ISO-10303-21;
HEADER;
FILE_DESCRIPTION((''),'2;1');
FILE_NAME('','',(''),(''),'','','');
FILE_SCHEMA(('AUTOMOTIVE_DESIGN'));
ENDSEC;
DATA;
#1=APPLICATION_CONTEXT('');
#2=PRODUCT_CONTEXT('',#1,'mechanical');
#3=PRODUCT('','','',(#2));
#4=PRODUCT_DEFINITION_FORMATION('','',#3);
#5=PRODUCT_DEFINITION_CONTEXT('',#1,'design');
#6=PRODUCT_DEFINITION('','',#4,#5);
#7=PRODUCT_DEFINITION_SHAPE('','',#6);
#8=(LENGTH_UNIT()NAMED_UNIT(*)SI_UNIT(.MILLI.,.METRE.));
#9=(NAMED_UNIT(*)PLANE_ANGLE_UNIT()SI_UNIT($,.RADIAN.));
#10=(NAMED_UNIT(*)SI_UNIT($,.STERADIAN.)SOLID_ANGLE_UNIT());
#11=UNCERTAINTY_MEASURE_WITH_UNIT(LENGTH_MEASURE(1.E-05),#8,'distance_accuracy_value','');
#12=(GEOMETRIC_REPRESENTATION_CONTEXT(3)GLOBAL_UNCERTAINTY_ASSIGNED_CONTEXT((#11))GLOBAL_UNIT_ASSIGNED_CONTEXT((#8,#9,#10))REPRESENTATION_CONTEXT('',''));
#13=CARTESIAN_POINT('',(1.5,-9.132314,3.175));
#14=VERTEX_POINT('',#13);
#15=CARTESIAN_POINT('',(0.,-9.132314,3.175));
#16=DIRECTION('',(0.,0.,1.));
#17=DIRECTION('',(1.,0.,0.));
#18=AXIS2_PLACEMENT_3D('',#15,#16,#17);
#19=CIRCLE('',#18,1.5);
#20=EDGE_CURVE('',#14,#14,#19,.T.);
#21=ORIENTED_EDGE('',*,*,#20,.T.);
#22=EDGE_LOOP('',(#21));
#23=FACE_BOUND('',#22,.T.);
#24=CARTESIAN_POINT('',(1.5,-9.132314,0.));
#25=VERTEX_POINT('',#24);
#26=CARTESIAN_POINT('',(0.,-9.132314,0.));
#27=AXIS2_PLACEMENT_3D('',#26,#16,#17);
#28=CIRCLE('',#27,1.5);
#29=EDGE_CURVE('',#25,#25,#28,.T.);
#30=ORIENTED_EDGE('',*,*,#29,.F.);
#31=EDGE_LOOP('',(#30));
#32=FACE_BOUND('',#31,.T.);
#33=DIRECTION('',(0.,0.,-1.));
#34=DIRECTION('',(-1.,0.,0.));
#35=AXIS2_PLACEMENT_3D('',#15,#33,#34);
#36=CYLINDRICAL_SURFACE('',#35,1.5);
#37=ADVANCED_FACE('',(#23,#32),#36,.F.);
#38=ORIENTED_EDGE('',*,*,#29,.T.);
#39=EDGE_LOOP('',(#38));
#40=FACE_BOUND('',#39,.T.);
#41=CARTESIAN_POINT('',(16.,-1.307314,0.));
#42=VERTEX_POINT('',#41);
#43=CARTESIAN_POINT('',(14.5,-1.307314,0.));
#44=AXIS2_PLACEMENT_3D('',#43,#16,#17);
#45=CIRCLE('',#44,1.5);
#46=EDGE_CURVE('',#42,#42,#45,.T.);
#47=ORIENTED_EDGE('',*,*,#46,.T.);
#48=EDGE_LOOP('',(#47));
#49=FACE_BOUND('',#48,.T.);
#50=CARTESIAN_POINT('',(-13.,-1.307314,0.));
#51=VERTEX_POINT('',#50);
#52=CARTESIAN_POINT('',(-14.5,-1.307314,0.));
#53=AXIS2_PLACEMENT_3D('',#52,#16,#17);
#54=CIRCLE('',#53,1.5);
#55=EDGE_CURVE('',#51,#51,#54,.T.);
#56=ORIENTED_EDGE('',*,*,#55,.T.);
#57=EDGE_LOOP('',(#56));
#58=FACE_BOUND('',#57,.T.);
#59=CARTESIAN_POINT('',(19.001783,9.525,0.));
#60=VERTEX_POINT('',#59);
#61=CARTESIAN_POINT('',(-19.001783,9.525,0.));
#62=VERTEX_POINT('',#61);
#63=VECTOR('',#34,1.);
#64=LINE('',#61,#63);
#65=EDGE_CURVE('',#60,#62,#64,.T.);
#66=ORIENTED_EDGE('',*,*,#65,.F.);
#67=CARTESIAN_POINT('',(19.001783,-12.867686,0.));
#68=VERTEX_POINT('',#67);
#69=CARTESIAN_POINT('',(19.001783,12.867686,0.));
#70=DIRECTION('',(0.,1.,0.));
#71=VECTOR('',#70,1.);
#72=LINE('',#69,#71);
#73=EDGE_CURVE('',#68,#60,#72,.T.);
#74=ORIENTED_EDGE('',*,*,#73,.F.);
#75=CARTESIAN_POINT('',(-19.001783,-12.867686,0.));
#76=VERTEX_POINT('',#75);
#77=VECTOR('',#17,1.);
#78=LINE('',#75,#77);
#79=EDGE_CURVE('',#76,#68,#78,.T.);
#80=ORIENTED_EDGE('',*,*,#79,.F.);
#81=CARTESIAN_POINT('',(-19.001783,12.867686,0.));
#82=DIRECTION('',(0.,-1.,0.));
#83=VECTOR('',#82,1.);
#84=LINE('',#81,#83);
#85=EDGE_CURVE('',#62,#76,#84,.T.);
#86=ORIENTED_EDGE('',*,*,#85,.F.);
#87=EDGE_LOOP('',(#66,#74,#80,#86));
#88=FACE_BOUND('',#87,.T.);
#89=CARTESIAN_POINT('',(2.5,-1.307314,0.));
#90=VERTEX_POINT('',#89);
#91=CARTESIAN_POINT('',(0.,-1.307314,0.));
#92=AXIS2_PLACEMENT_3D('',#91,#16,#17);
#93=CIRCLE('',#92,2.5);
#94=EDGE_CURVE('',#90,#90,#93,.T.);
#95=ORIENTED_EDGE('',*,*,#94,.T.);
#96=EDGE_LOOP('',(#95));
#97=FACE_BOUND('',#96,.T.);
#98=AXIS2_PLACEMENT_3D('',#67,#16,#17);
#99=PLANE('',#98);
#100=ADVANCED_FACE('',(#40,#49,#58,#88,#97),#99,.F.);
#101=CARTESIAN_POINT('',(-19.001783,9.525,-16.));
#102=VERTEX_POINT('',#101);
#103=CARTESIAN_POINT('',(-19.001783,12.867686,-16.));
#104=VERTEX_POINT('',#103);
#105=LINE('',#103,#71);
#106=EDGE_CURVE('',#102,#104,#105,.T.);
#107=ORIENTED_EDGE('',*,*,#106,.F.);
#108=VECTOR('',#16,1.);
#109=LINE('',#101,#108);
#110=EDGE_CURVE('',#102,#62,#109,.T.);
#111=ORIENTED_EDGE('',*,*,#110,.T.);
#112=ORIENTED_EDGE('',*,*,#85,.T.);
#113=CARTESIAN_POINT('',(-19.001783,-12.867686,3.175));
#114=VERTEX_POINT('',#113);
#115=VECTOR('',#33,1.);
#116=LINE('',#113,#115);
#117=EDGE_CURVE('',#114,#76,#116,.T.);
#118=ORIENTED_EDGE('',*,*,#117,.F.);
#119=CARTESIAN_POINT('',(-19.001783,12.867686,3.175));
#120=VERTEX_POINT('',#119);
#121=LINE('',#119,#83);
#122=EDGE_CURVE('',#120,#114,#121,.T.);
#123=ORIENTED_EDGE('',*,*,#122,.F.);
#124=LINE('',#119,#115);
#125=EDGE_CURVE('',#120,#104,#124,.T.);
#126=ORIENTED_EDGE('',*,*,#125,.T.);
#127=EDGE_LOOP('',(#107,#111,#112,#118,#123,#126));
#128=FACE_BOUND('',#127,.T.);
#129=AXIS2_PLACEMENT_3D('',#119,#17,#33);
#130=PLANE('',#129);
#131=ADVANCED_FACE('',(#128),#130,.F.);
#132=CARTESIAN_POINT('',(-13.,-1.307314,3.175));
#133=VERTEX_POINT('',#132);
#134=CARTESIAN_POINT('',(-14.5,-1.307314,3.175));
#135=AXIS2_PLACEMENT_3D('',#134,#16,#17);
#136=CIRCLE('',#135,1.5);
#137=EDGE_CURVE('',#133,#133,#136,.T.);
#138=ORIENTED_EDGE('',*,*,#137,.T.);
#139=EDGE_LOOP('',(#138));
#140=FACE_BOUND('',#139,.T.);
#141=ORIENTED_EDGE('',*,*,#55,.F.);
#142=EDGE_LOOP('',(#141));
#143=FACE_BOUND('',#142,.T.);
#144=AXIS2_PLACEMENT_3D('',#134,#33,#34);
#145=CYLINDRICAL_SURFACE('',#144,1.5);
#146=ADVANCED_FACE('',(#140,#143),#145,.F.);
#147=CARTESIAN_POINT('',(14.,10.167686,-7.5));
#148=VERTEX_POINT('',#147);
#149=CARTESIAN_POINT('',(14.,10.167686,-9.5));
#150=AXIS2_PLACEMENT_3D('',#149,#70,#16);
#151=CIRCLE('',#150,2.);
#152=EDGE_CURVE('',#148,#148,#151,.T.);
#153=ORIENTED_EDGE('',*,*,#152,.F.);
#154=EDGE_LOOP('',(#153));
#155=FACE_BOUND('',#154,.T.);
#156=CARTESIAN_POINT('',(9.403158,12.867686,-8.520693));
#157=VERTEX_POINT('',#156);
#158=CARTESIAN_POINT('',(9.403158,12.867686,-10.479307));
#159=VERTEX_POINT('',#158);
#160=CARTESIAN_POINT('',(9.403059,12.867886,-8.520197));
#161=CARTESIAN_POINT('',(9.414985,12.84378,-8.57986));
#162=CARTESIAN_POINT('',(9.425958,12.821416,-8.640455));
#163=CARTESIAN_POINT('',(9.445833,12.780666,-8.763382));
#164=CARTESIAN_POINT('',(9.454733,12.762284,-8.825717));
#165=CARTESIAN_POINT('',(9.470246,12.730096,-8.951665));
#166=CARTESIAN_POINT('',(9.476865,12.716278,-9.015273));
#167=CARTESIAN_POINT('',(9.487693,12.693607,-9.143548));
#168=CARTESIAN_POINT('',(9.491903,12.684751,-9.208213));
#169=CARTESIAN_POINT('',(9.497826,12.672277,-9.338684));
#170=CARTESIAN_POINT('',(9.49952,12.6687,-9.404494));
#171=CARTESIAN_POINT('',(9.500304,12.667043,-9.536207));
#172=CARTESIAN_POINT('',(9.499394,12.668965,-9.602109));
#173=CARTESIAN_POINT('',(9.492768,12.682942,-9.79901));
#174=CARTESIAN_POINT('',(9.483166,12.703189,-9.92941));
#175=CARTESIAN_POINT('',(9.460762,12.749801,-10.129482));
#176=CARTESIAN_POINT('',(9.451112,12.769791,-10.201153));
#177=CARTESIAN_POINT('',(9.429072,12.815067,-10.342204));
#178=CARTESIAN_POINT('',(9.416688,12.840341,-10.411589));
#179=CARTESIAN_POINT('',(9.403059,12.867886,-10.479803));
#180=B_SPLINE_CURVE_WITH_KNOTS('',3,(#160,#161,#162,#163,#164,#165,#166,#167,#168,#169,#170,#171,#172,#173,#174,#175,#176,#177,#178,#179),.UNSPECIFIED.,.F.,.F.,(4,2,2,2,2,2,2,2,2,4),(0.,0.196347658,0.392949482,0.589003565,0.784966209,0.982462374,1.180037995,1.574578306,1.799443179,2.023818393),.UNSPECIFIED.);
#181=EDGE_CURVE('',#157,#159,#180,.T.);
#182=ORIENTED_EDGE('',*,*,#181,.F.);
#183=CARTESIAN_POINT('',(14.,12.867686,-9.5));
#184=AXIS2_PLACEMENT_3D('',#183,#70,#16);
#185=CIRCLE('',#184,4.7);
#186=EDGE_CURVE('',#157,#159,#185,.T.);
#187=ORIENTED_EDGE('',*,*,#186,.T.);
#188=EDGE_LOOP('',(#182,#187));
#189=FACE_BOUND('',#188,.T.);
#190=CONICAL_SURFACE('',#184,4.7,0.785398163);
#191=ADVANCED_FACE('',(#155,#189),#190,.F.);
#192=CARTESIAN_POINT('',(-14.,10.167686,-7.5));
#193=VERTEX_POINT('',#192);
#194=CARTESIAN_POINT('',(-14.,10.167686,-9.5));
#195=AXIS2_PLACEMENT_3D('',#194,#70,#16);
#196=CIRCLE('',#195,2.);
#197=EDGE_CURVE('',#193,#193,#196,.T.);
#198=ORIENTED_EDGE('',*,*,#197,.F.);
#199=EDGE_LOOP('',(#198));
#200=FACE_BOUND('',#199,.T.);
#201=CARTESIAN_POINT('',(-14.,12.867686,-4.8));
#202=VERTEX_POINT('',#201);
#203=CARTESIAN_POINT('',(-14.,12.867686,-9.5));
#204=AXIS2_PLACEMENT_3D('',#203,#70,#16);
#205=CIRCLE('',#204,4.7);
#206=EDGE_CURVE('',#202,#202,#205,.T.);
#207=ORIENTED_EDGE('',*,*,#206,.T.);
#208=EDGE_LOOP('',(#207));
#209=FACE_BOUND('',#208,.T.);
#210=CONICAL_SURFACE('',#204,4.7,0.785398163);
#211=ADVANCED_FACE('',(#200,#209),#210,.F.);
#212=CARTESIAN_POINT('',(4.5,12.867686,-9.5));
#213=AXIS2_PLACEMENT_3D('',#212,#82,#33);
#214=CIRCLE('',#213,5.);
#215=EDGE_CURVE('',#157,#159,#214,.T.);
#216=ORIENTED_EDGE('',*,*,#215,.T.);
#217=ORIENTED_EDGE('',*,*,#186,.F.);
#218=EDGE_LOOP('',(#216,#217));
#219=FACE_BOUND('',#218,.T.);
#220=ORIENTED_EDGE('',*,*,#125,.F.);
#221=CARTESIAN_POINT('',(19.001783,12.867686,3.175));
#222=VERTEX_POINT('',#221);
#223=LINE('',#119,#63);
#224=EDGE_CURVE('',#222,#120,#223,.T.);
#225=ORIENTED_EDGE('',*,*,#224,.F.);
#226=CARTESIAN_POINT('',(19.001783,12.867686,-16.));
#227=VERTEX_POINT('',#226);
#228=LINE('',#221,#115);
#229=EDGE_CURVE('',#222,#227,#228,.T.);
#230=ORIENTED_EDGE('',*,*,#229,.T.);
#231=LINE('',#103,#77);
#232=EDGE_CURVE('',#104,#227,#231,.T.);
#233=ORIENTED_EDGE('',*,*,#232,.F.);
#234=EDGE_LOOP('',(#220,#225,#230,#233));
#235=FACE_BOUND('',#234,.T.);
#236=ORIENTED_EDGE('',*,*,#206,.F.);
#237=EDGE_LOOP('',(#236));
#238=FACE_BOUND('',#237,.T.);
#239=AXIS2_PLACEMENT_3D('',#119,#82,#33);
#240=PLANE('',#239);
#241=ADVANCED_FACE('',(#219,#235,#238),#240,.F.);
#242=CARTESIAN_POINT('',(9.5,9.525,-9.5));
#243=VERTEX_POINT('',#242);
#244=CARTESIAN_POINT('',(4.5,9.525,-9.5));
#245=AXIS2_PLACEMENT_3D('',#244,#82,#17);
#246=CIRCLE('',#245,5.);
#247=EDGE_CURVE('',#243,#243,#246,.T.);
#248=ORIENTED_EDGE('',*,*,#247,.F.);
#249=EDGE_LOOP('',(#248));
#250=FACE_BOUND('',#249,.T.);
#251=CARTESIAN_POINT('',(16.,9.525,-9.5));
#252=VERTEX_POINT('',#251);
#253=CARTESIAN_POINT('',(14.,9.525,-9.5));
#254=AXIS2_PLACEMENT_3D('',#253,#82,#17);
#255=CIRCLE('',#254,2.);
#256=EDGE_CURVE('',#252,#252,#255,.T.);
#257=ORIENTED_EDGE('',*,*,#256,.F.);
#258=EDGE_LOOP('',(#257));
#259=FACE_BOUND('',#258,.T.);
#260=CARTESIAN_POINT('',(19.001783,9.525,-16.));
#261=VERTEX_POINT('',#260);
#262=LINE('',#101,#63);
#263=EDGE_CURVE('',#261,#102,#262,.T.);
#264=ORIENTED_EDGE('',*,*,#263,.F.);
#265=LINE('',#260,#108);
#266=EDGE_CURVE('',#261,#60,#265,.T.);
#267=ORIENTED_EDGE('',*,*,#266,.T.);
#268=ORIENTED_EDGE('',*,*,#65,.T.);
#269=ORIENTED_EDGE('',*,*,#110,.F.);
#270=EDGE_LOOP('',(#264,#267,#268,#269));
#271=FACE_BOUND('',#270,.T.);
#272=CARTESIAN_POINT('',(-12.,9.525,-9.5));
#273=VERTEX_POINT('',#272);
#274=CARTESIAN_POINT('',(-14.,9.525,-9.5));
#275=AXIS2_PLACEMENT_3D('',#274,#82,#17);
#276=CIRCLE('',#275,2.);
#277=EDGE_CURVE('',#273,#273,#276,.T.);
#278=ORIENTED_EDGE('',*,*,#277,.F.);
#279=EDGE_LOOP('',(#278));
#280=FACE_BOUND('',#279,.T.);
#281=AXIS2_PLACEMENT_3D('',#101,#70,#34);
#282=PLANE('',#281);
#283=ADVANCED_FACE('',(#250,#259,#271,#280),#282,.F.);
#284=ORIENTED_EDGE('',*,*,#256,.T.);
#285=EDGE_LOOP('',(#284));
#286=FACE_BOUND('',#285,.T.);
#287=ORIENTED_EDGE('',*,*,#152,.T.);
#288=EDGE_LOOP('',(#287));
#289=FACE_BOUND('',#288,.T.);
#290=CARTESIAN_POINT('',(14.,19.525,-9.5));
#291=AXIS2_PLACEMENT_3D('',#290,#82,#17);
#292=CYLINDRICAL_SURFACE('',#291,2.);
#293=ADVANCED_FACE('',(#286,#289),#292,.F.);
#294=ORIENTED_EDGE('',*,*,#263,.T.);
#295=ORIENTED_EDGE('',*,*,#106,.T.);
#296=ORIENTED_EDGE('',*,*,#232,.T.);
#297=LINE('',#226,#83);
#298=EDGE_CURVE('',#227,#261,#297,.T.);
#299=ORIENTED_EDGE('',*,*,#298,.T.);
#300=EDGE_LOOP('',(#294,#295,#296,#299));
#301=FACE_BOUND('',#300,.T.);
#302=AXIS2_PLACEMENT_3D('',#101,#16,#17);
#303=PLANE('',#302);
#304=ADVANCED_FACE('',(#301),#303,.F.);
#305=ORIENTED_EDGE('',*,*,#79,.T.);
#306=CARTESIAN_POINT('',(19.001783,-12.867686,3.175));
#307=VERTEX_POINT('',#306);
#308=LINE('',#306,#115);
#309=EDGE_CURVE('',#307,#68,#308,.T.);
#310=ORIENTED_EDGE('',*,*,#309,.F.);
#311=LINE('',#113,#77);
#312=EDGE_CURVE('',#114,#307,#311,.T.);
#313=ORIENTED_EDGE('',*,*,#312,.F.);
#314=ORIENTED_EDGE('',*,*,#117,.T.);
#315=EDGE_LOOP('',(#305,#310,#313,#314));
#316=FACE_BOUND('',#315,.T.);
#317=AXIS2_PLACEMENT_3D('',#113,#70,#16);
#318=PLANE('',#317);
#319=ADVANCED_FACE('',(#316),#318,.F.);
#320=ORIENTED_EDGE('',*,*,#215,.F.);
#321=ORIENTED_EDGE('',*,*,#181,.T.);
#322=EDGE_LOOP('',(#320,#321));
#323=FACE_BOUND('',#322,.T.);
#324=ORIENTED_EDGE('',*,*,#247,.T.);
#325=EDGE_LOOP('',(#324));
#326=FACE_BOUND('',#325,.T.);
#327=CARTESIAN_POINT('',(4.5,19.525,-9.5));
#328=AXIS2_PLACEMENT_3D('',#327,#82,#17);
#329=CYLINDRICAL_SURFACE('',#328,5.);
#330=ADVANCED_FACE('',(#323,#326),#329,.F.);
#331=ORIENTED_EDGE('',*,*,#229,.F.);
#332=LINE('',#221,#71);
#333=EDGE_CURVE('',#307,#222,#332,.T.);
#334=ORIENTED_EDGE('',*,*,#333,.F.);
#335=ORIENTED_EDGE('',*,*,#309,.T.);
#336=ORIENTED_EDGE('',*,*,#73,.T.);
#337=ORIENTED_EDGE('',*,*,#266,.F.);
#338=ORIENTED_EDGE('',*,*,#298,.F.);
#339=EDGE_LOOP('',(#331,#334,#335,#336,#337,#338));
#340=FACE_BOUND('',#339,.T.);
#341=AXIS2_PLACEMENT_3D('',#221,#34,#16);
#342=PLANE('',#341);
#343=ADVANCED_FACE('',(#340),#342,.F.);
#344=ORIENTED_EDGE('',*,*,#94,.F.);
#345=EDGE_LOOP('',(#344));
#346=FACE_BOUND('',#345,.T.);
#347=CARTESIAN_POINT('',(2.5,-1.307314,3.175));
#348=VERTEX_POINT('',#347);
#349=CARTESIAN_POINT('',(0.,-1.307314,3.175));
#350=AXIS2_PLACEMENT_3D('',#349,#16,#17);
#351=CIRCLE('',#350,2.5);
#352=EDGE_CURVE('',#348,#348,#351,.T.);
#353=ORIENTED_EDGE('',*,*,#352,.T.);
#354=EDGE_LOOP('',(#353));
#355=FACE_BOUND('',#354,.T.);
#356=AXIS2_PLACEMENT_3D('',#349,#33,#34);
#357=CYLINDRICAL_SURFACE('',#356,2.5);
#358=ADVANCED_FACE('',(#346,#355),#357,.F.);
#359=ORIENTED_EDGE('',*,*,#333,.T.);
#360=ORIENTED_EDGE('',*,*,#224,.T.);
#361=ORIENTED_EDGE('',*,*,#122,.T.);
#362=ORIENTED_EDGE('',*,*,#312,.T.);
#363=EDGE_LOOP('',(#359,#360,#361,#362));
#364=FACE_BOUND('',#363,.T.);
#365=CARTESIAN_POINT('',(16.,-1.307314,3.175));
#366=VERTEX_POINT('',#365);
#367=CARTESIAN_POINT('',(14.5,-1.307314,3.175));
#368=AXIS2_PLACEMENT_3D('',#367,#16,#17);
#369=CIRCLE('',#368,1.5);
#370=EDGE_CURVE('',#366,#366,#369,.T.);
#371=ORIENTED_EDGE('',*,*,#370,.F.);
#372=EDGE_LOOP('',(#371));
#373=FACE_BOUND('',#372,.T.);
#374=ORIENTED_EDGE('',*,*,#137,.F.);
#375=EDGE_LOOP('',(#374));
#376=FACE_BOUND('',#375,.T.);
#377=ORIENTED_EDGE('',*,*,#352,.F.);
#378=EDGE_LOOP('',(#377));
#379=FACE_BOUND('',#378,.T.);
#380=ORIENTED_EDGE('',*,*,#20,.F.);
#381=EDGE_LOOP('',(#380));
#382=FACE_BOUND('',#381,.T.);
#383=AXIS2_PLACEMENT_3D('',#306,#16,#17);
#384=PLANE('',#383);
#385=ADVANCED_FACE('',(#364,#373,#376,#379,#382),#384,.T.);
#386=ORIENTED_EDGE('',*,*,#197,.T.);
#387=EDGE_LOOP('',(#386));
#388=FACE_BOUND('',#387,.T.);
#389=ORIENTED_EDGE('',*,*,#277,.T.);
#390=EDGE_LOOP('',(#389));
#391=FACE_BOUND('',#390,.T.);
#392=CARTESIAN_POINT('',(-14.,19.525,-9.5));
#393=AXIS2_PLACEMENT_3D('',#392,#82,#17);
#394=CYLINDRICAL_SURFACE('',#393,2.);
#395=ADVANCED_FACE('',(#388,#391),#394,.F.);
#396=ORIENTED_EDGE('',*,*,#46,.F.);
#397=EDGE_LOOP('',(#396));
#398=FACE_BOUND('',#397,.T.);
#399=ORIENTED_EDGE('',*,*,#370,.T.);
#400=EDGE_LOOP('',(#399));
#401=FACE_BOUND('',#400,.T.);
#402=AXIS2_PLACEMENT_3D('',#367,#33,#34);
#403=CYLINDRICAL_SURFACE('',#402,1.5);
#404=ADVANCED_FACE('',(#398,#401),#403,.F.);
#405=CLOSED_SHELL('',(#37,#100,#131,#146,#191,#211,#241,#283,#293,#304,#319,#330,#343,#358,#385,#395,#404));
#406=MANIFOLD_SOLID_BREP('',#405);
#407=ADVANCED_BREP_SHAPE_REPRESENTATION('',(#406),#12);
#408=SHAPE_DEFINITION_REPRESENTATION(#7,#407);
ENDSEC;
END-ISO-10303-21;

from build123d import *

# Parameters (mm, degrees)
SKETCH1_W                                            = 38.00356671
SKETCH1_H                                            = 25.735371596
SKETCH1_R                                            = 1.5
SKETCH1_R_2                                          = 2.5
BOSS_EXTRUDE1_DEPTH                                  = 3.175
SKETCH2_W                                            = 38.00356671
SKETCH2_H                                            = 3.342685798
BOSS_EXTRUDE2_DEPTH                                  = 16
SKETCH3_R                                            = 5
SKETCH3_R_2                                          = 2
CUT_EXTRUDE1_DEPTH                                   = 10
ESCAREADO_PARA_PARAFUSO_DE_M_QUINA_COM_C_D           = 4
ESCAREADO_PARA_PARAFUSO_DE_M_QUINA_COM_C_CSINK_D     = 9.4
ESCAREADO_PARA_PARAFUSO_DE_M_QUINA_COM_C_CSINK_ANGLE = 90


with BuildPart() as part:
    # Sketch1 → Boss-Extrude1 (new body)
    with BuildSketch(Plane.XY):
        Rectangle(SKETCH1_W, SKETCH1_H)
        with Locations((-14.5, -1.307314202)):
            Circle(SKETCH1_R, mode=Mode.SUBTRACT)
        with Locations((14.5, -1.307314202)):
            Circle(SKETCH1_R, mode=Mode.SUBTRACT)
        with Locations((0, -1.307314202)):
            Circle(SKETCH1_R_2, mode=Mode.SUBTRACT)
        with Locations((0, -9.132314202)):
            Circle(SKETCH1_R, mode=Mode.SUBTRACT)
    extrude(amount=BOSS_EXTRUDE1_DEPTH)

    # Sketch2 → Boss-Extrude2 (add)
    with BuildSketch(Plane(origin=(0, 0, 0), x_dir=(-1, 0, 0), z_dir=(0, 0, -1))):
        with Locations((0, 11.196342899)):
            Rectangle(SKETCH2_W, SKETCH2_H)
    extrude(amount=BOSS_EXTRUDE2_DEPTH)

    # Sketch3 → Cut-Extrude1 (cut)
    with BuildSketch(Plane.XZ.offset(-9.525)):
        with Locations((4.5, -9.5)):
            Circle(SKETCH3_R)
        with Locations((-14, -9.5)):
            Circle(SKETCH3_R_2)
        with Locations((14, -9.5)):
            Circle(SKETCH3_R_2)
    extrude(amount=-CUT_EXTRUDE1_DEPTH, mode=Mode.SUBTRACT)

    # Escareado para parafuso de máquina com cabeça chata de M42 (through all)
    with Locations(Plane(origin=(0, 12.867685798, 0), x_dir=(-1, 0, 0), z_dir=(0, 1, 0))):
        with Locations((14, -9.5), (-14, -9.5)):
            CounterSinkHole(ESCAREADO_PARA_PARAFUSO_DE_M_QUINA_COM_C_D / 2, ESCAREADO_PARA_PARAFUSO_DE_M_QUINA_COM_C_CSINK_D / 2, counter_sink_angle=ESCAREADO_PARA_PARAFUSO_DE_M_QUINA_COM_C_CSINK_ANGLE)


solid = part.part
